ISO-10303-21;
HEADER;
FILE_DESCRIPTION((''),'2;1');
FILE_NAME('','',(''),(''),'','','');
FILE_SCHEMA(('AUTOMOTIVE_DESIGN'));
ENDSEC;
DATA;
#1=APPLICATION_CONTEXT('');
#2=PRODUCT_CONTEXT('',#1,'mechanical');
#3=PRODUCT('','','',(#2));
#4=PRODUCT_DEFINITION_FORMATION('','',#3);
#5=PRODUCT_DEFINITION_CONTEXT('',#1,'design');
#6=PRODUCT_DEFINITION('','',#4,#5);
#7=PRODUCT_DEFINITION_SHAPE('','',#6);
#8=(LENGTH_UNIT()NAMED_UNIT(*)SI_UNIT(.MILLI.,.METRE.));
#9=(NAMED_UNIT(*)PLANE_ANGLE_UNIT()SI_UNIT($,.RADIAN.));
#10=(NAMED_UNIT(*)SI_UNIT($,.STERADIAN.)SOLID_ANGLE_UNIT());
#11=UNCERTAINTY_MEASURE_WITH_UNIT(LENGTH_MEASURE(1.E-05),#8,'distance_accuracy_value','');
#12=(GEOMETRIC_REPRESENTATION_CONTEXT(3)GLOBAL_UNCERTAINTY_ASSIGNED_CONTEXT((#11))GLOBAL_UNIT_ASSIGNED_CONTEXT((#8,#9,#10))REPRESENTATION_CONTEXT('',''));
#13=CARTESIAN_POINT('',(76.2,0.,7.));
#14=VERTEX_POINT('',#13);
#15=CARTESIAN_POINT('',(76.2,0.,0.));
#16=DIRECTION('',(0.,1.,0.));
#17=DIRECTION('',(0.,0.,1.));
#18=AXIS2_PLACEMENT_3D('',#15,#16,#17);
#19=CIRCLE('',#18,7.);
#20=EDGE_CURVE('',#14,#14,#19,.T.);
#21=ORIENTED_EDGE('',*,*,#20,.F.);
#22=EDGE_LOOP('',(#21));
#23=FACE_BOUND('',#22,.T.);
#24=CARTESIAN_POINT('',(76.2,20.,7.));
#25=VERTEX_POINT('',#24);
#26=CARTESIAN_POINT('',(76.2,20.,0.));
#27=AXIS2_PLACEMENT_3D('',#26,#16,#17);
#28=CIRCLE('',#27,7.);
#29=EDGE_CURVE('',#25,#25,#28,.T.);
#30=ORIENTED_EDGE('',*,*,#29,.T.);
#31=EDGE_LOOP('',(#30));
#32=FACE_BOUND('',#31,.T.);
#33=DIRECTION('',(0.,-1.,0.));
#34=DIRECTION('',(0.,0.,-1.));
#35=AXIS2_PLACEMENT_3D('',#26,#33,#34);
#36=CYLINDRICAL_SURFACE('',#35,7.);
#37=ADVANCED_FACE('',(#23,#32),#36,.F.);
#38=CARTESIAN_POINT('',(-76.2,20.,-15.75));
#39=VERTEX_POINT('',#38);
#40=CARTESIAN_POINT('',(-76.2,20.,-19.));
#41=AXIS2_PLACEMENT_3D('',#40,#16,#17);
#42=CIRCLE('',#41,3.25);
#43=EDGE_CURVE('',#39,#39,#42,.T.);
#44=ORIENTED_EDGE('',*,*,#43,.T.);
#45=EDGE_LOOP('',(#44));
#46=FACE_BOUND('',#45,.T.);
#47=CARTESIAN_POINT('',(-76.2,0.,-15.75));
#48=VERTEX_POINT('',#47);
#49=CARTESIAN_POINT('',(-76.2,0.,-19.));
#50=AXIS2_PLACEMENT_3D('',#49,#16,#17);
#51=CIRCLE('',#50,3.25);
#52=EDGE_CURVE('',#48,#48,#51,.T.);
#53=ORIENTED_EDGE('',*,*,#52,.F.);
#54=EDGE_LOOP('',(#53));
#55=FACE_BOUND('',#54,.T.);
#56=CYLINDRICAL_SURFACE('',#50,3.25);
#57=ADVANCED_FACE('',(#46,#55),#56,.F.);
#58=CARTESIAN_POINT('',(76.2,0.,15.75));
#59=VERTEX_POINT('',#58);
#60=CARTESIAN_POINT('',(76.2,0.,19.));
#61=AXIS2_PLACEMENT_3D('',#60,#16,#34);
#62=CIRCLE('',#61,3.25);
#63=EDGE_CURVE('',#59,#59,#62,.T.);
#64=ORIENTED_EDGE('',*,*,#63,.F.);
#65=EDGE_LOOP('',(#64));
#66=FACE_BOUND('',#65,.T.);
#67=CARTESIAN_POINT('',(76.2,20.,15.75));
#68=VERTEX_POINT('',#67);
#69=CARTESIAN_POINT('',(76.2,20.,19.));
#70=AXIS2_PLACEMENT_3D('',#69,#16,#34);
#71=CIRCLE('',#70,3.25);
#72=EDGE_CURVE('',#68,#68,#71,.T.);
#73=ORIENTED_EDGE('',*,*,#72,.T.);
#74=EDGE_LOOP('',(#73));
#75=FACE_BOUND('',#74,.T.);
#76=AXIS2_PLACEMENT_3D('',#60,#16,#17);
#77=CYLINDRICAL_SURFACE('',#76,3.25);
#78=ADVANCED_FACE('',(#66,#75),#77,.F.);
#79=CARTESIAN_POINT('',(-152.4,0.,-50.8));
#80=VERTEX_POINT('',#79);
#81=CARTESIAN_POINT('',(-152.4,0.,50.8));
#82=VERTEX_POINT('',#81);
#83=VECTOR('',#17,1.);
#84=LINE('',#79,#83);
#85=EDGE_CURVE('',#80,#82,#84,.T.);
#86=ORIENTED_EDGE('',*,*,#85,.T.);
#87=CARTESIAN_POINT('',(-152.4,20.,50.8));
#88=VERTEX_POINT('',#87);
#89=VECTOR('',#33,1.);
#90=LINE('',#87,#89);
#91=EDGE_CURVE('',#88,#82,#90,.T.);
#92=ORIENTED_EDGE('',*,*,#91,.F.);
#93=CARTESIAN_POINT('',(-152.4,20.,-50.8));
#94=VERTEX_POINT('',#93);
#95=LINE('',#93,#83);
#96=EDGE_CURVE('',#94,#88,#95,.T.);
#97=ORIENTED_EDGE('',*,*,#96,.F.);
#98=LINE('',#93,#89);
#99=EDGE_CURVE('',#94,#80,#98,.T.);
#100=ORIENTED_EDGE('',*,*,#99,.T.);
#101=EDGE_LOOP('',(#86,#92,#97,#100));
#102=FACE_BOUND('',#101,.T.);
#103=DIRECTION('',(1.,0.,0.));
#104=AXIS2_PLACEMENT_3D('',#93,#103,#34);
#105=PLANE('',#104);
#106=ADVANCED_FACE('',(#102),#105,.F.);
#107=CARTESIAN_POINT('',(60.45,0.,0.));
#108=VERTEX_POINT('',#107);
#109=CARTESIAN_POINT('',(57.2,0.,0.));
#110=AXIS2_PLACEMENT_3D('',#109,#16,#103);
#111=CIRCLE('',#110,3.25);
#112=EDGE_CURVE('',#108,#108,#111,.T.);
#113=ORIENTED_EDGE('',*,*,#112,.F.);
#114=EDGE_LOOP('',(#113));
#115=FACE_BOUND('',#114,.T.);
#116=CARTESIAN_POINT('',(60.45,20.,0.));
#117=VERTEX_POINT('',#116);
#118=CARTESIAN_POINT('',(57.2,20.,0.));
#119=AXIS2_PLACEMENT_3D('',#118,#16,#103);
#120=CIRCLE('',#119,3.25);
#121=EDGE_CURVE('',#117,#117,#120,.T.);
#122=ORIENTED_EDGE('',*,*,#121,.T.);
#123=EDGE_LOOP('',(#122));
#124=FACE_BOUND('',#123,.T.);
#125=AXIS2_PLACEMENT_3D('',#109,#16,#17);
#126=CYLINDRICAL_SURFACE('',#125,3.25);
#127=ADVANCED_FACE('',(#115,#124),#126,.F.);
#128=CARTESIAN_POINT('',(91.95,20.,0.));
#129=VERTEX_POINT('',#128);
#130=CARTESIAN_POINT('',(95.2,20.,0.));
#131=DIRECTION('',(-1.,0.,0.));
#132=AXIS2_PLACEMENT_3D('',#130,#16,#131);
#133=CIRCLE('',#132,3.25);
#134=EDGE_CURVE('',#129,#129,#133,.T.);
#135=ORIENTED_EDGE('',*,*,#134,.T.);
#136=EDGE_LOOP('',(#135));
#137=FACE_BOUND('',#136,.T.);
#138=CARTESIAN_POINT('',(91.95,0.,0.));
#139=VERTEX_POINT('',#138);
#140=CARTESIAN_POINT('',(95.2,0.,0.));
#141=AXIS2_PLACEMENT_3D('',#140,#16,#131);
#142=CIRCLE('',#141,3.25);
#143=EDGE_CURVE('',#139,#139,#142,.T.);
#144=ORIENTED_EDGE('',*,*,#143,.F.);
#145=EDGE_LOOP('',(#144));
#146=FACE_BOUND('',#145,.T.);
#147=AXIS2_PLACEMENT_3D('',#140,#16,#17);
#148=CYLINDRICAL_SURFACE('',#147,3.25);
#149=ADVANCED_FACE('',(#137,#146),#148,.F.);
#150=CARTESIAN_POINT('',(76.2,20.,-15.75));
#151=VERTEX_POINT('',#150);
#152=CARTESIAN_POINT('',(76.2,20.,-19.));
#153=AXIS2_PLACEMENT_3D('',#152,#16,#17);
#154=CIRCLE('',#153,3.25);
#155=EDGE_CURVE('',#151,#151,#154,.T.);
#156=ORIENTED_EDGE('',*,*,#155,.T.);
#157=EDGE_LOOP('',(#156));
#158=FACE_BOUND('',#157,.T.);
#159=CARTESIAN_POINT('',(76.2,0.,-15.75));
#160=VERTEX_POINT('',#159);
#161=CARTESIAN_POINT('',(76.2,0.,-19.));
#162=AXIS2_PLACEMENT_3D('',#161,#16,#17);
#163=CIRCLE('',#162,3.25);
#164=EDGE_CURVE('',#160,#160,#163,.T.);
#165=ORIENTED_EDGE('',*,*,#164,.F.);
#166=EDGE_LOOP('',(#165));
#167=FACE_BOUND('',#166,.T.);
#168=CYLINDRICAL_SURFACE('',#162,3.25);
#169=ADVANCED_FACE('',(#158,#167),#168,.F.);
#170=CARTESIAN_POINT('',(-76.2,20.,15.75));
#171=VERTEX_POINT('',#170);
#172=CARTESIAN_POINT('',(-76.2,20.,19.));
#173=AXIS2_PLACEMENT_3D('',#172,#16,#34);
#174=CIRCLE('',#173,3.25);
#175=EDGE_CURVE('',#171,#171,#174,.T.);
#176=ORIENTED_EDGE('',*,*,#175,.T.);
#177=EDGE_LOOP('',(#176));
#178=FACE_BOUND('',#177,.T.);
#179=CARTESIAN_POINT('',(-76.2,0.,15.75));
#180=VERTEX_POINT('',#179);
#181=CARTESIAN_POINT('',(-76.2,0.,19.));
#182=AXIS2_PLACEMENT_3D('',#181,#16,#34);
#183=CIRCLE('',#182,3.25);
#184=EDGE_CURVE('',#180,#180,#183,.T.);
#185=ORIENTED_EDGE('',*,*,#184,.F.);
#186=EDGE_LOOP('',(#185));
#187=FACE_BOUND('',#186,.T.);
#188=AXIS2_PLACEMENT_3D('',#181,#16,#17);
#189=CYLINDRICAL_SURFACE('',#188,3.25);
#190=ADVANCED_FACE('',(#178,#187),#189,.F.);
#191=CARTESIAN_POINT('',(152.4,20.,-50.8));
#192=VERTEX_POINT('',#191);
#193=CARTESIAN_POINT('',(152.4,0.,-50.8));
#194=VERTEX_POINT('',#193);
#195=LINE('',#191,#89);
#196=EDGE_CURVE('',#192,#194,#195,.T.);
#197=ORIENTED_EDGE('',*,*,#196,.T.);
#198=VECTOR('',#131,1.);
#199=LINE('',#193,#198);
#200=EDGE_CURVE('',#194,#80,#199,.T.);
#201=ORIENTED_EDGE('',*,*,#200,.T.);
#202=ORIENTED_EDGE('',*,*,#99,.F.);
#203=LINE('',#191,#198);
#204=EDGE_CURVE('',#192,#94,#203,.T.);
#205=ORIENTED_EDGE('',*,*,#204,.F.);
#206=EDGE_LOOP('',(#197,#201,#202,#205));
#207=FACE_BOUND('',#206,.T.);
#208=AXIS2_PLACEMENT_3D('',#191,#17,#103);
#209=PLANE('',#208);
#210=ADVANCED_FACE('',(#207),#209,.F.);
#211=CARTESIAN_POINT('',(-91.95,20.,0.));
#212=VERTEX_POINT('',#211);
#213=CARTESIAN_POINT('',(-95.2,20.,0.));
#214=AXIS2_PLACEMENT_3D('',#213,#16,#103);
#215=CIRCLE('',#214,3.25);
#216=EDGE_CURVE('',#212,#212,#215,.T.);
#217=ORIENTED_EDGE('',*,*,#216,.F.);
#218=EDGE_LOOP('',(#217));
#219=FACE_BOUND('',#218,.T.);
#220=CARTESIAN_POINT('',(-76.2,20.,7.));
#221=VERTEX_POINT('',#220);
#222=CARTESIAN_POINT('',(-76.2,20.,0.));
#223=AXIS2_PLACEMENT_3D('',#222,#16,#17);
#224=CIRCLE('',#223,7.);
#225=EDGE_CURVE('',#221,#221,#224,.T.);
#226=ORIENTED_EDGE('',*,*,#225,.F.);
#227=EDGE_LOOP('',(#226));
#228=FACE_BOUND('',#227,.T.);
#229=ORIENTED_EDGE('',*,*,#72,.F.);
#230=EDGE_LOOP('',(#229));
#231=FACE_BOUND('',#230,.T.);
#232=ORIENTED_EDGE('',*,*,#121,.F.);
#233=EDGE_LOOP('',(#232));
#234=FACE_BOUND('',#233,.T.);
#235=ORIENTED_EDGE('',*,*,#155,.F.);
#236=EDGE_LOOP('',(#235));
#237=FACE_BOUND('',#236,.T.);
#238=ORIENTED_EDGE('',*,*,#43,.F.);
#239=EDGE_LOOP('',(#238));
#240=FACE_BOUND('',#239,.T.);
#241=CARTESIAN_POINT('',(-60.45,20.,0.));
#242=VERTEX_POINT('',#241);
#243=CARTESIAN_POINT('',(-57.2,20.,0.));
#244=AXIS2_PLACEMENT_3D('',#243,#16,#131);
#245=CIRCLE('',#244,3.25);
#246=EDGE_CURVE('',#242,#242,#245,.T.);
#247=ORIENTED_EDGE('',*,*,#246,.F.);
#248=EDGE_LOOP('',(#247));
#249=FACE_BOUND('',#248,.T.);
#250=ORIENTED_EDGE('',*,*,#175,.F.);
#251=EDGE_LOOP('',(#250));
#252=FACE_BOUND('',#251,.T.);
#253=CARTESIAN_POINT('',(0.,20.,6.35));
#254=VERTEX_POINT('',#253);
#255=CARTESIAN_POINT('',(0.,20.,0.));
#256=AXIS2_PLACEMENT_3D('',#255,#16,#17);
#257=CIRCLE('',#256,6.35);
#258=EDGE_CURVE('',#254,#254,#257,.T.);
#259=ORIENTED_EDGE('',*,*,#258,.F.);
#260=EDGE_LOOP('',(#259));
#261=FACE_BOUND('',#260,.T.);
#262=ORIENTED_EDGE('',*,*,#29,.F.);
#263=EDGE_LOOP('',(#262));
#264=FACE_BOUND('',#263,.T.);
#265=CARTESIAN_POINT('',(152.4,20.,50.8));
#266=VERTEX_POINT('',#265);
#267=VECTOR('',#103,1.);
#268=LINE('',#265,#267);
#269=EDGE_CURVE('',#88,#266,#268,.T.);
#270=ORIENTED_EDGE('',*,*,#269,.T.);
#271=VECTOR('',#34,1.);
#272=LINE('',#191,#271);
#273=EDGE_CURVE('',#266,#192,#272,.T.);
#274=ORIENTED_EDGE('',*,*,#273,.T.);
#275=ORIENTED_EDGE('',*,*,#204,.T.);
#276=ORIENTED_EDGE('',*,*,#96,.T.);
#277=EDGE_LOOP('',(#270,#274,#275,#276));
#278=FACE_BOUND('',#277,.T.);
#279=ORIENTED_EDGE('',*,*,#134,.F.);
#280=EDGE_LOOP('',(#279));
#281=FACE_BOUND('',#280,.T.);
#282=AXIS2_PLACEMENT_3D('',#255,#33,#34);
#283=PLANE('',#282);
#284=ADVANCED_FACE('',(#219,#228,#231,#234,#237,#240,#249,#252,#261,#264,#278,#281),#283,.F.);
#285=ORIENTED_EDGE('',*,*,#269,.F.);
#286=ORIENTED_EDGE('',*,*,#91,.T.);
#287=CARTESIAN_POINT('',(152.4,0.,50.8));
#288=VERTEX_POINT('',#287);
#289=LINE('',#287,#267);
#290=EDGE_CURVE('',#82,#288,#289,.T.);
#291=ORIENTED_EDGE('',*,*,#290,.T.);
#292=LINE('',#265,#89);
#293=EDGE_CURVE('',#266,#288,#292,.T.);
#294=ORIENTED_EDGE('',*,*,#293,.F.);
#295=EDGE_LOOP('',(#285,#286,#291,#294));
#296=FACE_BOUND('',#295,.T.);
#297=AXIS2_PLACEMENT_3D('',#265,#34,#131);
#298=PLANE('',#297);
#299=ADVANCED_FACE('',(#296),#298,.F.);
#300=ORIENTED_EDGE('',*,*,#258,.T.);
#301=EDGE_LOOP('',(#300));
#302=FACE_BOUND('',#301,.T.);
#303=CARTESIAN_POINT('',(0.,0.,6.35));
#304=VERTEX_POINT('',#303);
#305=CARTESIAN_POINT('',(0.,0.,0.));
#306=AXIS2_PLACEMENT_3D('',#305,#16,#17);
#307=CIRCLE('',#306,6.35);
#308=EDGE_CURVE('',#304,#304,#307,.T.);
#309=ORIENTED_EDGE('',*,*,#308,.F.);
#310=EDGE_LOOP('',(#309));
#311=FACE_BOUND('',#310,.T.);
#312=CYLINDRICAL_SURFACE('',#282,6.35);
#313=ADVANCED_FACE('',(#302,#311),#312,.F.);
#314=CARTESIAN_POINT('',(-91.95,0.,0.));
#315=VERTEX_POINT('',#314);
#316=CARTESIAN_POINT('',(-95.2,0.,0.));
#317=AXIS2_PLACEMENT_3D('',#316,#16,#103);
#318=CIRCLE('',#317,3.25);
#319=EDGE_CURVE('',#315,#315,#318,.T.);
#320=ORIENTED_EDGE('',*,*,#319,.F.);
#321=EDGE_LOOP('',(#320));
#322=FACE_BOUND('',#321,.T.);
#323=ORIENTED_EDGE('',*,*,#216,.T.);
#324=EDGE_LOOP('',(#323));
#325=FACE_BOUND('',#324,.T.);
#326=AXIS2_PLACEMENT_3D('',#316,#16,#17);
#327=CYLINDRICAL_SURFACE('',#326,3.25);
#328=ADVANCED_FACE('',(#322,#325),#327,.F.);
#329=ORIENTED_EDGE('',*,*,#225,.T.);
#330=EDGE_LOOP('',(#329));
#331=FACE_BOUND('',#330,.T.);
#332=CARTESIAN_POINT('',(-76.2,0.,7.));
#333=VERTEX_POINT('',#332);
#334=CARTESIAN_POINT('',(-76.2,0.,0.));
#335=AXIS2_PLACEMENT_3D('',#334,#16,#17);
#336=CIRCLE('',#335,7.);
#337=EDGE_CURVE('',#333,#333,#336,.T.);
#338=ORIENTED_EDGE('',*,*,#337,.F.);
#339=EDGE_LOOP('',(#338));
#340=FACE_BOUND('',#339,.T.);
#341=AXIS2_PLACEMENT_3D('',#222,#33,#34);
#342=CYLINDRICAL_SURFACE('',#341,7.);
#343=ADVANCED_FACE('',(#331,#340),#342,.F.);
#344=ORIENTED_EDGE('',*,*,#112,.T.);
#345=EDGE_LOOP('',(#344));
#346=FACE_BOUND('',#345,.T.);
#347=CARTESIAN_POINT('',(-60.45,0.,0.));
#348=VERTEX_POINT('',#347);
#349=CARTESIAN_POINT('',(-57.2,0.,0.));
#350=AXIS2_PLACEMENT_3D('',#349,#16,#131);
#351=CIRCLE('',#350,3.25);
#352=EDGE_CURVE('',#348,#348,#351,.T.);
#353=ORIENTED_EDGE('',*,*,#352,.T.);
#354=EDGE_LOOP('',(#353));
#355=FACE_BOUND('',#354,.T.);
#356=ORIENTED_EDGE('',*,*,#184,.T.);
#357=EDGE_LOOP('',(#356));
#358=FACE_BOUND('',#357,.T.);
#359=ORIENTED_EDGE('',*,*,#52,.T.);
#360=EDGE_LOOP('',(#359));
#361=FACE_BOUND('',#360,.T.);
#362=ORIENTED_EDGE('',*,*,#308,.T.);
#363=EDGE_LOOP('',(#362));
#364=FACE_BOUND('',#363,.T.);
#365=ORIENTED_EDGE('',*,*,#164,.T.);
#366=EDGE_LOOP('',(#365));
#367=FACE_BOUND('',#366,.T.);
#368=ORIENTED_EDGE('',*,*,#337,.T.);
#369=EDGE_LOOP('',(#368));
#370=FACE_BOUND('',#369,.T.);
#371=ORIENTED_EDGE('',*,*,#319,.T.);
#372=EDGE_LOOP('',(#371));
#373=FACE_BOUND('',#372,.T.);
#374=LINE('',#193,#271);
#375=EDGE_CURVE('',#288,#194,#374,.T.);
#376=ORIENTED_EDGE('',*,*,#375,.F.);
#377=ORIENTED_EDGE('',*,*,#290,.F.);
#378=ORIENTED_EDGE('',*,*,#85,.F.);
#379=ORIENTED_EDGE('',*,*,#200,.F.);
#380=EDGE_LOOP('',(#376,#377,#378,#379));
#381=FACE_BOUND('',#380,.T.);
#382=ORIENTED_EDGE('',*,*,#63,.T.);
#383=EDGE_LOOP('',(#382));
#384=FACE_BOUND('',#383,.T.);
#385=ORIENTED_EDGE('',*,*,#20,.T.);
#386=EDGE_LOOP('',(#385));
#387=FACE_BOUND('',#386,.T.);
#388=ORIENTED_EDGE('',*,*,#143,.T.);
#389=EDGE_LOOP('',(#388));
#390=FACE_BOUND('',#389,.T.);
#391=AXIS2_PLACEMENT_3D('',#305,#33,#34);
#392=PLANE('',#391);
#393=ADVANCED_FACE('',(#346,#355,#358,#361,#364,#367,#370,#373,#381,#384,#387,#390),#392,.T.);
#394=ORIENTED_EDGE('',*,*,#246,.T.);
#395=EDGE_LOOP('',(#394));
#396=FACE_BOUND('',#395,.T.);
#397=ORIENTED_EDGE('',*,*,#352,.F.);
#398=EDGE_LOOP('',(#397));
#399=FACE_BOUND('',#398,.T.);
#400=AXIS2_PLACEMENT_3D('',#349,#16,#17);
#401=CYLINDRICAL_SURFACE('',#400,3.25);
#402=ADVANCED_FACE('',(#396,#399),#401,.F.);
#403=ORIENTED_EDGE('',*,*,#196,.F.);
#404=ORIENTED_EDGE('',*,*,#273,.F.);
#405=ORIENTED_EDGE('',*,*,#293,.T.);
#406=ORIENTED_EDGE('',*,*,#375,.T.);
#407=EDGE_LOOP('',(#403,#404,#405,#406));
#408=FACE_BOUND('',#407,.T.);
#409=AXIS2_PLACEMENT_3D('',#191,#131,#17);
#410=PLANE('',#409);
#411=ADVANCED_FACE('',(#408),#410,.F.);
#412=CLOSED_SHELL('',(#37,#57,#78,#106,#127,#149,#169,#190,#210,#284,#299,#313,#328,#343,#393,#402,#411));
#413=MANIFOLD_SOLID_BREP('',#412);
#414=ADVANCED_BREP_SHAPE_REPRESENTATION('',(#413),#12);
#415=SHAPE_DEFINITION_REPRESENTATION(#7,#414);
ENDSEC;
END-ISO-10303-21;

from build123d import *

# Parameters (mm, degrees)
SKETCH2_W                 = 304.8
SKETCH2_H                 = 101.6
SKETCH2_R                 = 6.35
SKETCH2_R_2               = 7
BOSS_EXTRUDE1_DEPTH       = 20
SKETCH3_R                 = 3.25
CUT_EXTRUDE1_DEPTH        = 162.883909021
CIRPATTERN1_COUNT         = 4
LPATTERN1_COUNT           = 2
LPATTERN1_PITCH           = 152.4
LPATTERN1_COPY_1_SKETCH_R = 3.25
LPATTERN1_COPY_1_DEPTH    = 162.883909021
LPATTERN1_COPY_2_SKETCH_R = 3.25
LPATTERN1_COPY_2_DEPTH    = 162.883909021
LPATTERN1_COPY_3_SKETCH_R = 3.25
LPATTERN1_COPY_3_DEPTH    = 162.883909021


with BuildPart() as part:
    # Sketch2 → Boss-Extrude1 (new body)
    with BuildSketch(Plane(origin=(0, 0, 0), x_dir=(1, 0, 0), z_dir=(0, 1, 0))):
        Rectangle(SKETCH2_W, SKETCH2_H)
        with Locations(Location((0, 0, 0), (0, 0, 270))):
            Circle(SKETCH2_R, mode=Mode.SUBTRACT)
        with Locations(Location((-76.2, 0, 0), (0, 0, 270))):
            Circle(SKETCH2_R_2, mode=Mode.SUBTRACT)
        with Locations(Location((76.2, 0, 0), (0, 0, 270))):
            Circle(SKETCH2_R_2, mode=Mode.SUBTRACT)
    extrude(amount=BOSS_EXTRUDE1_DEPTH)

    # Sketch3 → Cut-Extrude1 (cut, through all)
    with BuildSketch(Plane(origin=(0, 20, 0), x_dir=(1, 0, 0), z_dir=(0, 1, 0))):
        with Locations(Location((-76.2, 19, 0), (0, 0, 270))):
            Circle(SKETCH3_R)
    cut_extrude1 = extrude(amount=-CUT_EXTRUDE1_DEPTH, mode=Mode.SUBTRACT)

    # CirPattern1: Cut-Extrude1 ×4 about axis
    cirpattern1_axis = Axis((-76.2, 0, 0), (0, 1, 0))
    for i in range(1, CIRPATTERN1_COUNT):
        add(cut_extrude1.rotate(cirpattern1_axis, i * 360 / CIRPATTERN1_COUNT), mode=Mode.SUBTRACT)

    # LPattern1: Cut-Extrude1 ×2
    with Locations(*[(i * LPATTERN1_PITCH, 0, 0) for i in range(1, LPATTERN1_COUNT)]):
        add(cut_extrude1, mode=Mode.SUBTRACT)

    # LPattern1 copy 1 sketch → LPattern1 copy 1 (cut, through all)
    with BuildSketch(Plane(origin=(76.2, 20, -76.2), x_dir=(0, 0, -1), z_dir=(0, 1, 0))):
        with Locations(Location((-76.2, 19, 0), (0, 0, 270))):
            Circle(LPATTERN1_COPY_1_SKETCH_R)
    extrude(amount=-LPATTERN1_COPY_1_DEPTH, mode=Mode.SUBTRACT)

    # LPattern1 copy 2 sketch → LPattern1 copy 2 (cut, through all)
    with BuildSketch(Plane(origin=(0, 20, 0), x_dir=(-1, 0, 0), z_dir=(0, 1, 0))):
        with Locations(Location((-76.2, 19, 0), (0, 0, 270))):
            Circle(LPATTERN1_COPY_2_SKETCH_R)
    extrude(amount=-LPATTERN1_COPY_2_DEPTH, mode=Mode.SUBTRACT)

    # LPattern1 copy 3 sketch → LPattern1 copy 3 (cut, through all)
    with BuildSketch(Plane(origin=(76.2, 20, 76.2), x_dir=(0, 0, 1), z_dir=(0, 1, 0))):
        with Locations(Location((-76.2, 19, 0), (0, 0, 270))):
            Circle(LPATTERN1_COPY_3_SKETCH_R)
    extrude(amount=-LPATTERN1_COPY_3_DEPTH, mode=Mode.SUBTRACT)


solid = part.part
